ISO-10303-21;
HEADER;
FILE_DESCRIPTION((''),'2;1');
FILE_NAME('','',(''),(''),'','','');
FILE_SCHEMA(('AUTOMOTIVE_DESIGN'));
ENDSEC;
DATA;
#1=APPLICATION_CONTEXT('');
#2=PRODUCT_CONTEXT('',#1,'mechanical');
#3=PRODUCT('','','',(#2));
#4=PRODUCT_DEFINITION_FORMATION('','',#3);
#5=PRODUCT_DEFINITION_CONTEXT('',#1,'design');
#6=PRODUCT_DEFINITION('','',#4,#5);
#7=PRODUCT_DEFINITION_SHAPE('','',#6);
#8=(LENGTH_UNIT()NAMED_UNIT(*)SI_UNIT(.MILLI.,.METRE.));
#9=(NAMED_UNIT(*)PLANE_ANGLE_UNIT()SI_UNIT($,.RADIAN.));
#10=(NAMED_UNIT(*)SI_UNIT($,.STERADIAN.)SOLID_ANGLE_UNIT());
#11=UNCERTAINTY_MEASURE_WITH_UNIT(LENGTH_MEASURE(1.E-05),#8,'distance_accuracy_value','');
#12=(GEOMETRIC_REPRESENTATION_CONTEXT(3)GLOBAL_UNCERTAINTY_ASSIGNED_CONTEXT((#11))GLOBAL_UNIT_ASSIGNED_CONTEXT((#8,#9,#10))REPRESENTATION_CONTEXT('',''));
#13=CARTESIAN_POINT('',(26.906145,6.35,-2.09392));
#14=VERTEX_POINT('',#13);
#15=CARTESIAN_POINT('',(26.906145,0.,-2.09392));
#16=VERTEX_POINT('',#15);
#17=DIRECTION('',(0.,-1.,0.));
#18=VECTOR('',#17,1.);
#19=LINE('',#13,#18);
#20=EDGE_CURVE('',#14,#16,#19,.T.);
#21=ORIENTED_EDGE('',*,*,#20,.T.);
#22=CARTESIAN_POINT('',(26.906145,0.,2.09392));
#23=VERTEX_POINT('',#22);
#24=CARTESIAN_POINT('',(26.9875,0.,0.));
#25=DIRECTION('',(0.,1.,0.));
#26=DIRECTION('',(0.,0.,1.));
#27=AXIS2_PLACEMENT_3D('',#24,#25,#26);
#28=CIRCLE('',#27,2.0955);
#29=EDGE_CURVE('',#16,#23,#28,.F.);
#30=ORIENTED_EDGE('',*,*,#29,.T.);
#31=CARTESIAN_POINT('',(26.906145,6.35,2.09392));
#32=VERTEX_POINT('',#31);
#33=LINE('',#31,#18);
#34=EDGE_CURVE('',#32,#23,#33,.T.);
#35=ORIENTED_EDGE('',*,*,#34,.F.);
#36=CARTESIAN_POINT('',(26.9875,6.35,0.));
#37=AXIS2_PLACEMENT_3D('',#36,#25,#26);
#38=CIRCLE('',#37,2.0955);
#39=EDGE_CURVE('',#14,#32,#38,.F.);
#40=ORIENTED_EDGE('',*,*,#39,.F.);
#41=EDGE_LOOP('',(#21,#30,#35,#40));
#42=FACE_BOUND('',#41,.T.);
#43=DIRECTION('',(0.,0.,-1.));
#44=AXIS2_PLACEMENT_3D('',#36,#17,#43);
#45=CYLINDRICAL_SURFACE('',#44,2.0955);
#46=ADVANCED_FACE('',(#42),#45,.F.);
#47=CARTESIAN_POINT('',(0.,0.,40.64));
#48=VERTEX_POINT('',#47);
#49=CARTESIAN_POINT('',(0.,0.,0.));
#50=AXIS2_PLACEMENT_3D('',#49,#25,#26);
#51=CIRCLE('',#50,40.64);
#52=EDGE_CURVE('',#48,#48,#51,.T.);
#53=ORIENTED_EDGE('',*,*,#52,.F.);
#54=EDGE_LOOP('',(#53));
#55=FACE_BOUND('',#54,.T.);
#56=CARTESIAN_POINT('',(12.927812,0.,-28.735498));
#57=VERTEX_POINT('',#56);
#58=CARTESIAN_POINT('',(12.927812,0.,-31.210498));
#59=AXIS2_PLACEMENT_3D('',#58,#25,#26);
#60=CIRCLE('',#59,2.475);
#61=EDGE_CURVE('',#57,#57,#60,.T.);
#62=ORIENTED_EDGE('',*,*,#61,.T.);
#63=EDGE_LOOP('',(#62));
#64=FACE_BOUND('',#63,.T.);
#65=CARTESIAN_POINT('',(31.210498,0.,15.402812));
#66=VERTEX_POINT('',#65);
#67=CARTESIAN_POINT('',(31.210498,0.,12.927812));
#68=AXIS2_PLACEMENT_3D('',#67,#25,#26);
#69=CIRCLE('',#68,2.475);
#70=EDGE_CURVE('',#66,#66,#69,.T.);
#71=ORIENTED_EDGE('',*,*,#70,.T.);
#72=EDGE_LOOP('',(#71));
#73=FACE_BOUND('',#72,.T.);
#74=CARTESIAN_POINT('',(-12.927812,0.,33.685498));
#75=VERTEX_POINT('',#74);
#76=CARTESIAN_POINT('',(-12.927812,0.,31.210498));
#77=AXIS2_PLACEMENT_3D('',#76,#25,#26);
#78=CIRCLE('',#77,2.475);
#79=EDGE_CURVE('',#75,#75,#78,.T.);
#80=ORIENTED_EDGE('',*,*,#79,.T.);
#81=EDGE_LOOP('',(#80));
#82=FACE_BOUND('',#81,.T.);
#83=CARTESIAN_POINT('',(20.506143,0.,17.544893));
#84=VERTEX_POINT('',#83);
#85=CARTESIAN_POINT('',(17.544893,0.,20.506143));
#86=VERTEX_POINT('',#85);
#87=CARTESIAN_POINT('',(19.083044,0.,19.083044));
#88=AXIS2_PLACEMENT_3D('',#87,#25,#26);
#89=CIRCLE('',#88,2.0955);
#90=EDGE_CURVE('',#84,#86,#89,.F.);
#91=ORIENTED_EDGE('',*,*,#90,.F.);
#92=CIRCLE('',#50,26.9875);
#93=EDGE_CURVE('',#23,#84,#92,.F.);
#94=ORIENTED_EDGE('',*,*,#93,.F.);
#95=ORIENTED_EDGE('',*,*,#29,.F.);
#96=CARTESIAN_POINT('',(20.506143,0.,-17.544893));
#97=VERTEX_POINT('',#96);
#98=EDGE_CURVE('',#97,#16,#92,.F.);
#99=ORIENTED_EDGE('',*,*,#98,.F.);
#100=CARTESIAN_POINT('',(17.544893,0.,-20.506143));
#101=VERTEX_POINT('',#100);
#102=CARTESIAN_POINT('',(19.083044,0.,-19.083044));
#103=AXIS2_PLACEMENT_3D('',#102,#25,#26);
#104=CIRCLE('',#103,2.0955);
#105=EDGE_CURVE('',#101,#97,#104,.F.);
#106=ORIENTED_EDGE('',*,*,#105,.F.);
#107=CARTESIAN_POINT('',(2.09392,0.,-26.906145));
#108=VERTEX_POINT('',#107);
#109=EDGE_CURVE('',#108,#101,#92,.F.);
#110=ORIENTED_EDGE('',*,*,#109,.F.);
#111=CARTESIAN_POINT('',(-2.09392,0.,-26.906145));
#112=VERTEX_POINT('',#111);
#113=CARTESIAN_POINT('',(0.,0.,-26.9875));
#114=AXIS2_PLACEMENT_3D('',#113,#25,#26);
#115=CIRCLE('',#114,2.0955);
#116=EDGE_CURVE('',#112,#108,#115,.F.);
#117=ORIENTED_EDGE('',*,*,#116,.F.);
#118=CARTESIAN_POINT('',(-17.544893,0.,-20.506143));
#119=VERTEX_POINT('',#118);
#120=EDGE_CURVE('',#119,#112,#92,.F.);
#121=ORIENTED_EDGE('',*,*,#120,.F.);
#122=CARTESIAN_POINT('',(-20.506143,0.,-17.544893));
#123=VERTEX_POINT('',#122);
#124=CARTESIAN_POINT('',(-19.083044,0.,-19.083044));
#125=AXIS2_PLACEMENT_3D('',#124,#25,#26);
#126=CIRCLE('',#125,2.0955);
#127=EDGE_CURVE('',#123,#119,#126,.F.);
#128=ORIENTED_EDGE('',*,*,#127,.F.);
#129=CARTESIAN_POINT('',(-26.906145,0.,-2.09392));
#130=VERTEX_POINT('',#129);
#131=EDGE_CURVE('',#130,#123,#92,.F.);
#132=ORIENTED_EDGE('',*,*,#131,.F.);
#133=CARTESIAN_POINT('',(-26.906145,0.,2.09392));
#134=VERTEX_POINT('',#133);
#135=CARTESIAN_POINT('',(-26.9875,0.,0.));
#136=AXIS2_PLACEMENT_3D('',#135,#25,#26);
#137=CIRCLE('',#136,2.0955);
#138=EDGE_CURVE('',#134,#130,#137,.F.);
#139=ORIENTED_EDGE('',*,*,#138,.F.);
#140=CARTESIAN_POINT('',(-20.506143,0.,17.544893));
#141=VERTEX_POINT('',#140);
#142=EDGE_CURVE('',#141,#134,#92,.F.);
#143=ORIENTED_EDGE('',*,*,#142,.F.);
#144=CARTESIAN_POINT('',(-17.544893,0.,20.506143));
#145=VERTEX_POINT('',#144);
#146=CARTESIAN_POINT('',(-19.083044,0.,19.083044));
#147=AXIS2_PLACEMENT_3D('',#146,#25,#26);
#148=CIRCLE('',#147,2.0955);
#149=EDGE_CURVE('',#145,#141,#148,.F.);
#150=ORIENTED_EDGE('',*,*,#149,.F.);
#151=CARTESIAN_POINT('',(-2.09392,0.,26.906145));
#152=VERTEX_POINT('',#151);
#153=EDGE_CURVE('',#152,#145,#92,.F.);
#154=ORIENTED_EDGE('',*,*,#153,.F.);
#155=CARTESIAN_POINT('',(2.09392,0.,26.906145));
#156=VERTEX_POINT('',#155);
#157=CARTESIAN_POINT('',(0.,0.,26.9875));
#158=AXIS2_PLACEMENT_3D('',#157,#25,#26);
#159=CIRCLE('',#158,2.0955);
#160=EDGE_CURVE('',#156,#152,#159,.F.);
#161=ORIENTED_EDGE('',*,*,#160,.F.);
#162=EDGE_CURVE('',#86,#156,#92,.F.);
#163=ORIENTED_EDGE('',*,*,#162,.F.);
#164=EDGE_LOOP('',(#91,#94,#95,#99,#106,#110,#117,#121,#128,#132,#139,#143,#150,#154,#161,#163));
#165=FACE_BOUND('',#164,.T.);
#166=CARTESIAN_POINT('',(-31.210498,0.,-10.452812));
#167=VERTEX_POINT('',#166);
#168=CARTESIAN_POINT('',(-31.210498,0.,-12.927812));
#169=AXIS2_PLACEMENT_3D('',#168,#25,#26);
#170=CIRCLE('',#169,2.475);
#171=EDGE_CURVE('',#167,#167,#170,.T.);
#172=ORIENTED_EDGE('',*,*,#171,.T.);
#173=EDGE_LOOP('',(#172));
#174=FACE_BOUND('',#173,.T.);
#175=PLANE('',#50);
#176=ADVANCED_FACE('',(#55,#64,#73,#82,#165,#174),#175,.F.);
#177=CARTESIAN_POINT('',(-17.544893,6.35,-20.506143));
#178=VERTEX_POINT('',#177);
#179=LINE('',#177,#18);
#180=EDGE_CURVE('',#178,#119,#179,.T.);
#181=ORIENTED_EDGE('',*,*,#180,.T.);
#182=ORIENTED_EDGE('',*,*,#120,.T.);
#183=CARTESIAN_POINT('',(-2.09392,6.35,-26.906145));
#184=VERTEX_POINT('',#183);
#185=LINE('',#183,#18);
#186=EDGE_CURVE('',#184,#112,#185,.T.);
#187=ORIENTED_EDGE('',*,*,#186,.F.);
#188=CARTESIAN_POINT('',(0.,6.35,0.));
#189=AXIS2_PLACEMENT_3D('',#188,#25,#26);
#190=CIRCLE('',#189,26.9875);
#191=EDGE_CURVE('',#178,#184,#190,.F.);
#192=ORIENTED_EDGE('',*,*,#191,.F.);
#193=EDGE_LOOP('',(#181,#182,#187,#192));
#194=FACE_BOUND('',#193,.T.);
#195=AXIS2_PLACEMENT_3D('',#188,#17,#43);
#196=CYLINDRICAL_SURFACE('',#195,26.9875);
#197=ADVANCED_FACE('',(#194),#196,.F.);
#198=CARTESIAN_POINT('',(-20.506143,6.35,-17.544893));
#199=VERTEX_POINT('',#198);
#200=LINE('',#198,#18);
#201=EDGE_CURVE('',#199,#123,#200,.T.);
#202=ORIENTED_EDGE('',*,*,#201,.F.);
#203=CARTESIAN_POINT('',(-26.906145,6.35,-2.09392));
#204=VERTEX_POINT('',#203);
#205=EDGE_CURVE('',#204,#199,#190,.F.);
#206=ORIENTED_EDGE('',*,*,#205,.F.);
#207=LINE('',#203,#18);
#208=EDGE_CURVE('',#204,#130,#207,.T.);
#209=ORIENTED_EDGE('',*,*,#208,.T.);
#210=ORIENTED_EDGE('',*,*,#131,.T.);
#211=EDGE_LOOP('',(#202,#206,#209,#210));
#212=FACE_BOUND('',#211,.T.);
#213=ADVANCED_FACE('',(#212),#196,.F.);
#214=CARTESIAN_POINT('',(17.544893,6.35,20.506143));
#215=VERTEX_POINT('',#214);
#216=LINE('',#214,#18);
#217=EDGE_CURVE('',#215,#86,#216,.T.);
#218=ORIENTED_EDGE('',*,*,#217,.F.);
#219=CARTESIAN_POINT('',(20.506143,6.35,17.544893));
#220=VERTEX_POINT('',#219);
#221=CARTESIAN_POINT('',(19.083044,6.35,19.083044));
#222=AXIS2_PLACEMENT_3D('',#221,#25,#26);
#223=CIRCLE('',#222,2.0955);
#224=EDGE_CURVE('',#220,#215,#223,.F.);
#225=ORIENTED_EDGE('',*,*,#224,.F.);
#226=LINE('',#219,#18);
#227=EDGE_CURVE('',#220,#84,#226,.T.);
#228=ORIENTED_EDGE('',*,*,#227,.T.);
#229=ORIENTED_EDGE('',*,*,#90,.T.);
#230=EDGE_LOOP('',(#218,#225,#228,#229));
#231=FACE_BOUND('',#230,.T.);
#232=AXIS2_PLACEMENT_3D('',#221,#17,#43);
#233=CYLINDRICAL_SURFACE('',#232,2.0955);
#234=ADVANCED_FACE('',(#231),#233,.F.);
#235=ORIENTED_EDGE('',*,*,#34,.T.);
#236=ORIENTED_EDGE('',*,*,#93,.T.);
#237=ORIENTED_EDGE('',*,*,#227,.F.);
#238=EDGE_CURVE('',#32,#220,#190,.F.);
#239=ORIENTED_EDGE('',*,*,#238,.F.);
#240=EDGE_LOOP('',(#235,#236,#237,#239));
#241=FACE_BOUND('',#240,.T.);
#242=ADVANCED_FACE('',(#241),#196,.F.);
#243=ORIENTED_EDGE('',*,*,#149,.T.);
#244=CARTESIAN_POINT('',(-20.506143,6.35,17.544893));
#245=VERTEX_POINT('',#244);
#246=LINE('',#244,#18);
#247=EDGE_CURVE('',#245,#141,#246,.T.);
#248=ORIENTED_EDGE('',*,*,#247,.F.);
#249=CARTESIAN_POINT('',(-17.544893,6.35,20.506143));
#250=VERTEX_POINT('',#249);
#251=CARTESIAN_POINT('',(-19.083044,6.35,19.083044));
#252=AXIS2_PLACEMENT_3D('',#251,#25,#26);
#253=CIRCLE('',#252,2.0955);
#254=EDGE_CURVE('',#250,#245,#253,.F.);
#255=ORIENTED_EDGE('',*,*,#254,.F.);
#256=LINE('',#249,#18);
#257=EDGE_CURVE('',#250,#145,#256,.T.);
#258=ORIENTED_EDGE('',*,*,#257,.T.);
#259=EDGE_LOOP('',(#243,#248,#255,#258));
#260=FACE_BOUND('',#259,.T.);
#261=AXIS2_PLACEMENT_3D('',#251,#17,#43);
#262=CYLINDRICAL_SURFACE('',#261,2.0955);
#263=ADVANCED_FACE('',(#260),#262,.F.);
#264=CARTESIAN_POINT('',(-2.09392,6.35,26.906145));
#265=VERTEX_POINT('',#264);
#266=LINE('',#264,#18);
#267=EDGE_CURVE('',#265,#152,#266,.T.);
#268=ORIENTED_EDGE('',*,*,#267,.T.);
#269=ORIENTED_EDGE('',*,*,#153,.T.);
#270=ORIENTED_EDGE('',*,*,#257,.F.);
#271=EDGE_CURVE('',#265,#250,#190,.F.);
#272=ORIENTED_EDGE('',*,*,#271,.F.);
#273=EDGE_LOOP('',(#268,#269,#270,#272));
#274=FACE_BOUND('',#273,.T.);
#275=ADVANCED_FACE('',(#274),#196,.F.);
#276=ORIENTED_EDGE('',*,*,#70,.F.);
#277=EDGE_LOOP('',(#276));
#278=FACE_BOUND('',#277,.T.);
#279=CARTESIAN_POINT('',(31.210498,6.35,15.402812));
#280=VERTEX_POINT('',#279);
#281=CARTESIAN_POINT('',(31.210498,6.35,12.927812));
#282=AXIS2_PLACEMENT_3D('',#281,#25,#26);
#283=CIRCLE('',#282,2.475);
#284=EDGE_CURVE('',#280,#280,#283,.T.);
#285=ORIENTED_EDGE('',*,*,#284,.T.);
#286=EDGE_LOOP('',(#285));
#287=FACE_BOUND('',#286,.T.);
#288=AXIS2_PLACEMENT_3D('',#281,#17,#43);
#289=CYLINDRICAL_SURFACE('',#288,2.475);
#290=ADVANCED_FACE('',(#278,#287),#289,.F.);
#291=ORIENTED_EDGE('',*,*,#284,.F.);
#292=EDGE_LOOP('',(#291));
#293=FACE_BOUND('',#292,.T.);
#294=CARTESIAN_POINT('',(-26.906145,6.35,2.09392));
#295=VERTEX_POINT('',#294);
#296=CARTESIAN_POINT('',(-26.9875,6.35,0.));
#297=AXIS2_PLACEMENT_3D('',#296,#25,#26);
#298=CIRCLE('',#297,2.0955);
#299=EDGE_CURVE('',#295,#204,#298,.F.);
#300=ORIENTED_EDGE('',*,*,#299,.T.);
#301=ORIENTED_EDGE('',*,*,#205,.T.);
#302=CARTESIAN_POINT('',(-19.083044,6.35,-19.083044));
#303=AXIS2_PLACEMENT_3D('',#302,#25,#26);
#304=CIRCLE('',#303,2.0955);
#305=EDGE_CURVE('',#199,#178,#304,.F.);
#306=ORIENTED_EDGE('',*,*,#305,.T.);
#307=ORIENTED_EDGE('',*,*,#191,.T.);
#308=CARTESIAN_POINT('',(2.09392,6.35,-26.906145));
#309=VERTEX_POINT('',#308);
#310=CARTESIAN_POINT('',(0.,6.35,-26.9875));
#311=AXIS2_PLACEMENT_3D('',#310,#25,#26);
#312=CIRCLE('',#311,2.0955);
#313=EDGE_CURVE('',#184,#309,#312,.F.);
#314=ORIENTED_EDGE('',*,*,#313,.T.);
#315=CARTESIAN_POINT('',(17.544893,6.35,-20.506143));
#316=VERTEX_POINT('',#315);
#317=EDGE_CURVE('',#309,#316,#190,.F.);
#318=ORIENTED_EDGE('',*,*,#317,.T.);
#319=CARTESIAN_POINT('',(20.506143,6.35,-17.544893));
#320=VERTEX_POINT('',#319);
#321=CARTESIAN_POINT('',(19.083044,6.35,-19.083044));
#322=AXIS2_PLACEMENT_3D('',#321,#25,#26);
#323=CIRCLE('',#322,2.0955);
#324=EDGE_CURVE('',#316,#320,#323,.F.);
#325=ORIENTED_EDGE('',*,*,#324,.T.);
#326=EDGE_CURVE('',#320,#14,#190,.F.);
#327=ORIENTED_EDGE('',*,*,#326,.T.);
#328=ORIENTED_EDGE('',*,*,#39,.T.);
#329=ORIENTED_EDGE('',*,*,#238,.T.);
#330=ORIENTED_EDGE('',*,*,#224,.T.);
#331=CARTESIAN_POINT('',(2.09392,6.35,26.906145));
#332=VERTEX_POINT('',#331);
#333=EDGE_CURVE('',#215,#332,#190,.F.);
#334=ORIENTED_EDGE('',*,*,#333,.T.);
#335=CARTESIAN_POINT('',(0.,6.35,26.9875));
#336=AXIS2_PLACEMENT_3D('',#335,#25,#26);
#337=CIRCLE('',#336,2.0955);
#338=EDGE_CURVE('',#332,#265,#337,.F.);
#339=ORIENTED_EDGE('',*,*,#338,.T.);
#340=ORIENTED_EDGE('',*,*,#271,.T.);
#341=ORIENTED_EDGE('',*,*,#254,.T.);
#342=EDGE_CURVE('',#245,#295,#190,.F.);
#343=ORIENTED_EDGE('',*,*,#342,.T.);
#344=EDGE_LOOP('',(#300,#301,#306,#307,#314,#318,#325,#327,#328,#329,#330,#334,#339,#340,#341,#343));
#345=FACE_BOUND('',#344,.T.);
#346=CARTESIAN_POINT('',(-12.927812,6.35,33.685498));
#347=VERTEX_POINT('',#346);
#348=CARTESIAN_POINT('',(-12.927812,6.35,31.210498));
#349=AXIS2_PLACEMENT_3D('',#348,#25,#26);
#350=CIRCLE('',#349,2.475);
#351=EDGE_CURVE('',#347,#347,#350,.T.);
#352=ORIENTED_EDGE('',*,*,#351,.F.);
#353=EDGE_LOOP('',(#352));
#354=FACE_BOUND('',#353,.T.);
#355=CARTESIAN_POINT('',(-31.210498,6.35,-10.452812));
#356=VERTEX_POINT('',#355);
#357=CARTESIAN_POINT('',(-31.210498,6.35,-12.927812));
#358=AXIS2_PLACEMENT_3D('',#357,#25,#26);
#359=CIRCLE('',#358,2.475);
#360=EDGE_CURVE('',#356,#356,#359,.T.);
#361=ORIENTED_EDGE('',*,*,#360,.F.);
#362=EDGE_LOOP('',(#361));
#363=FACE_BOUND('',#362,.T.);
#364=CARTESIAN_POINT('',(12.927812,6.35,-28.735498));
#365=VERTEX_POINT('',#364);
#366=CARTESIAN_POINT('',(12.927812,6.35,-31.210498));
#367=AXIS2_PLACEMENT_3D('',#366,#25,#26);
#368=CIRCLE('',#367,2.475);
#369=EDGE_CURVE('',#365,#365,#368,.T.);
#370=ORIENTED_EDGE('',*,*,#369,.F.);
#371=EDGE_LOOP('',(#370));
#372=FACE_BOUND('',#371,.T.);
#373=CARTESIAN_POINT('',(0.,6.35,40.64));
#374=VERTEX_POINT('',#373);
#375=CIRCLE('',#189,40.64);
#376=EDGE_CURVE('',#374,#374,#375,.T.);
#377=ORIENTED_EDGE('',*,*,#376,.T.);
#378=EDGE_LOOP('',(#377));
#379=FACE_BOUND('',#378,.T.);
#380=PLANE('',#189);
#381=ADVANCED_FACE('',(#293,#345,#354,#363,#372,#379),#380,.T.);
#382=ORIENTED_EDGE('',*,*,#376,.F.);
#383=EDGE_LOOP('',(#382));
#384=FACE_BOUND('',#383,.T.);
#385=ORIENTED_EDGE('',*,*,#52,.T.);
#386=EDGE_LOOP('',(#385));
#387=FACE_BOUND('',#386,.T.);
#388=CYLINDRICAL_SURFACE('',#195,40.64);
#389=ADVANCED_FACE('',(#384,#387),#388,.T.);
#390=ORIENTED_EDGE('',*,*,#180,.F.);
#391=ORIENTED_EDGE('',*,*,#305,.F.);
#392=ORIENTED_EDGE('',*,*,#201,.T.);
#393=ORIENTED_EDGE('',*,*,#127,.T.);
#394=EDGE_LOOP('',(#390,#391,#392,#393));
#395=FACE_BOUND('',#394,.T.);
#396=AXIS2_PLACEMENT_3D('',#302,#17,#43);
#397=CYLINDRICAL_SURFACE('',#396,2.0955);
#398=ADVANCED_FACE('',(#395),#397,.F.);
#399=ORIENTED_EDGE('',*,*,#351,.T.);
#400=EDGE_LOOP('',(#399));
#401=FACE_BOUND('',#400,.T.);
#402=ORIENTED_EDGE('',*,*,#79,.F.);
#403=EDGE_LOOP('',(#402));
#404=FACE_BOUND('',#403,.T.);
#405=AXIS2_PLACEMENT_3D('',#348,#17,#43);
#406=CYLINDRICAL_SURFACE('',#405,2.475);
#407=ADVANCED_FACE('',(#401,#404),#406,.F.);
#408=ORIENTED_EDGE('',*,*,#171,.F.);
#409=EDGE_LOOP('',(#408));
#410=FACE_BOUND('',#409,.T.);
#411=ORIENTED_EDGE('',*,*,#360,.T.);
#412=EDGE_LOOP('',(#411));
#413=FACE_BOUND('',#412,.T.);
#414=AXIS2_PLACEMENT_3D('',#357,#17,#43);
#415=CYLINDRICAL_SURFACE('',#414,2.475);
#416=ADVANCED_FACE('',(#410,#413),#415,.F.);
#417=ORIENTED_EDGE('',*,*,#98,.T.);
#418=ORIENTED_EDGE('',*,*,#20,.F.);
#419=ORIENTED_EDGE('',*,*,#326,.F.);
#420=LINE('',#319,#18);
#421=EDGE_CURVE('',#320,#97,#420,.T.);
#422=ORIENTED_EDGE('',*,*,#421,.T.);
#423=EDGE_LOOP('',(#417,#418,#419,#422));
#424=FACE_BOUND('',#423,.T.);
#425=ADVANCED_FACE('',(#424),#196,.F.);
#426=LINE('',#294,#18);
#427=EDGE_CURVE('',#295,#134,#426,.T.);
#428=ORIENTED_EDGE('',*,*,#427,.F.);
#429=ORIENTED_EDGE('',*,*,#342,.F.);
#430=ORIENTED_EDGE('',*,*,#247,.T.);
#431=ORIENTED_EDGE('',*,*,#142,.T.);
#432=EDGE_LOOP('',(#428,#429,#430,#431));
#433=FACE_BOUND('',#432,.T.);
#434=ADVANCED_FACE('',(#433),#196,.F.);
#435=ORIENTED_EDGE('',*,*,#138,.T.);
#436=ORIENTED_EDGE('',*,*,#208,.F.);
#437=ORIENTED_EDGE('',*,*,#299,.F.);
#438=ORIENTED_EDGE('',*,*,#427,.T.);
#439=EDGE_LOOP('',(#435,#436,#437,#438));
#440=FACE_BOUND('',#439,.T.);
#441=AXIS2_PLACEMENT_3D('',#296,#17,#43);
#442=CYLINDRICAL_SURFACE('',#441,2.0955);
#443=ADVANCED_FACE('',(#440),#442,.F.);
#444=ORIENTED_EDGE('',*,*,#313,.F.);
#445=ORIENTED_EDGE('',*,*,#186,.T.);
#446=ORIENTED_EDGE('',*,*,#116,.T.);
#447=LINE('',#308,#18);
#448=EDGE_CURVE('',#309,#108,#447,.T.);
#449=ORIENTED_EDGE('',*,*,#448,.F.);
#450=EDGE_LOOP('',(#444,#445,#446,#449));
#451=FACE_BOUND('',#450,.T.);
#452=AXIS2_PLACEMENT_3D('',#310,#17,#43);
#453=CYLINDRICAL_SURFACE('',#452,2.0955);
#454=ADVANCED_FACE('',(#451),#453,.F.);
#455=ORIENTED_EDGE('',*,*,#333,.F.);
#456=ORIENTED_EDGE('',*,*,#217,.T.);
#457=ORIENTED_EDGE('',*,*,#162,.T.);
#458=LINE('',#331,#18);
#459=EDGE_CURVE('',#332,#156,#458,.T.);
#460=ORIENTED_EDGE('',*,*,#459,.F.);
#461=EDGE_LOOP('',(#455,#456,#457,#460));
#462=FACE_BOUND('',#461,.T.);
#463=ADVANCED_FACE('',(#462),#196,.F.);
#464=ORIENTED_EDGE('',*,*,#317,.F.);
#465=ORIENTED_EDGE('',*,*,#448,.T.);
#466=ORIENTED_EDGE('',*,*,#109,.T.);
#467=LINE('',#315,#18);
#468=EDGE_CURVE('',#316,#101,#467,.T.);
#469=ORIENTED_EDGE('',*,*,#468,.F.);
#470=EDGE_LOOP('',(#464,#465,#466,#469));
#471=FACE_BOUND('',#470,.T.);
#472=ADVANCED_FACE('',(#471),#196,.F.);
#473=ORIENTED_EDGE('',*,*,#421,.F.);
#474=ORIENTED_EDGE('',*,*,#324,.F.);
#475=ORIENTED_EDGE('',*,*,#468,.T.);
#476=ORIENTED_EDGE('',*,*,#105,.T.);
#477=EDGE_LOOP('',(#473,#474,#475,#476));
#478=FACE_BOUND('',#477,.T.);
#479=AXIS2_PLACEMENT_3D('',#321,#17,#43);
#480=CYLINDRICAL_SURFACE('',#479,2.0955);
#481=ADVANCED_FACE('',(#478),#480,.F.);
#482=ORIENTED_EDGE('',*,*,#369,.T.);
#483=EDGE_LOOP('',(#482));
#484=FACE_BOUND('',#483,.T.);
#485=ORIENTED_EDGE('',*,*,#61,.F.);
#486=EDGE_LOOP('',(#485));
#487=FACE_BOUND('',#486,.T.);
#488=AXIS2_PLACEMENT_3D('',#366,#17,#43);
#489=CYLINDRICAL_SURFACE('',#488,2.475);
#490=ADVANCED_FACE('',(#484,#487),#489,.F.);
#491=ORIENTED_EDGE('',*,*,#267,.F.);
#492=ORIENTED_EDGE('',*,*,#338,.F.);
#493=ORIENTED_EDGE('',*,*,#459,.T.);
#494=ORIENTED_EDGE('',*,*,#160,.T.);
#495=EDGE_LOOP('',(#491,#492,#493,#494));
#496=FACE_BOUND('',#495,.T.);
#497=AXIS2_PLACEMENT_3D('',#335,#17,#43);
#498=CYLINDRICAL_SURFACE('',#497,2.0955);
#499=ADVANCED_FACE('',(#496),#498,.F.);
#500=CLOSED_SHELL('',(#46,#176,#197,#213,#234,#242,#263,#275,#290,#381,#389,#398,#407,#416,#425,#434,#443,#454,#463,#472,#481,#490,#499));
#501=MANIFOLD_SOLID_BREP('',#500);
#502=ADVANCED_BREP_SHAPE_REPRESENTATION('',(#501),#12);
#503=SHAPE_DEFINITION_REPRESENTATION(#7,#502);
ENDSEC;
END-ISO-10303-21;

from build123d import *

# Parameters (mm, degrees)
F_1_5IN_SOCKET_R    = 40.64
F_1_5IN_SOCKET_R_2  = 2.475
BOSS_EXTRUDE1_DEPTH = 6.35


with BuildPart() as part:
    # 1.5in Socket → Boss-Extrude1 (new body)
    with BuildSketch(Plane(origin=(0, 0, 0), x_dir=(1, 0, 0), z_dir=(0, 1, 0))):
        with Locations(Location((0, 0, 0), (0, 0, 270))):
            Circle(F_1_5IN_SOCKET_R)
        with Locations(Location((12.927811712, 31.210498367, 0), (0, 0, 270))):
            Circle(F_1_5IN_SOCKET_R_2, mode=Mode.SUBTRACT)
        with Locations(Location((31.210498367, -12.927811712, 0), (0, 0, 270))):
            Circle(F_1_5IN_SOCKET_R_2, mode=Mode.SUBTRACT)
        with Locations(Location((-31.210498367, 12.927811712, 0), (0, 0, 270))):
            Circle(F_1_5IN_SOCKET_R_2, mode=Mode.SUBTRACT)
        with Locations(Location((-12.927811712, -31.210498367, 0), (0, 0, 270))):
            Circle(F_1_5IN_SOCKET_R_2, mode=Mode.SUBTRACT)
        with BuildLine():
            ThreePointArc((-20.506142942, 17.544892644), (-20.564786517, 20.564786517), (-17.544892644, 20.506142942))
            ThreePointArc((-17.544892644, 20.506142942), (-10.327669131, 24.933198884), (-2.093920166, 26.906145294))
            ThreePointArc((-2.093920166, 26.906145294), (0, 29.083), (2.093920166, 26.906145294))
            ThreePointArc((2.093920166, 26.906145294), (10.327669131, 24.933198884), (17.544892644, 20.506142942))
            ThreePointArc((17.544892644, 20.506142942), (20.564786517, 20.564786517), (20.506142942, 17.544892644))
            ThreePointArc((20.506142942, 17.544892644), (24.933198884, 10.327669131), (26.906145294, 2.093920166))
            ThreePointArc((26.906145294, 2.093920166), (29.083, 0), (26.906145294, -2.093920166))
            ThreePointArc((26.906145294, -2.093920166), (24.933198884, -10.327669131), (20.506142942, -17.544892644))
            ThreePointArc((20.506142942, -17.544892644), (20.564786517, -20.564786517), (17.544892644, -20.506142942))
            ThreePointArc((17.544892644, -20.506142942), (10.327669131, -24.933198884), (2.093920166, -26.906145294))
            ThreePointArc((2.093920166, -26.906145294), (0, -29.083), (-2.093920166, -26.906145294))
            ThreePointArc((-2.093920166, -26.906145294), (-10.327669131, -24.933198884), (-17.544892644, -20.506142942))
            ThreePointArc((-17.544892644, -20.506142942), (-20.564786517, -20.564786517), (-20.506142942, -17.544892644))
            ThreePointArc((-20.506142942, -17.544892644), (-24.933198884, -10.327669131), (-26.906145294, -2.093920166))
            ThreePointArc((-26.906145294, -2.093920166), (-29.083, 0), (-26.906145294, 2.093920166))
            ThreePointArc((-26.906145294, 2.093920166), (-24.933198884, 10.327669131), (-20.506142942, 17.544892644))
        make_face(mode=Mode.SUBTRACT)
    extrude(amount=BOSS_EXTRUDE1_DEPTH)


solid = part.part
